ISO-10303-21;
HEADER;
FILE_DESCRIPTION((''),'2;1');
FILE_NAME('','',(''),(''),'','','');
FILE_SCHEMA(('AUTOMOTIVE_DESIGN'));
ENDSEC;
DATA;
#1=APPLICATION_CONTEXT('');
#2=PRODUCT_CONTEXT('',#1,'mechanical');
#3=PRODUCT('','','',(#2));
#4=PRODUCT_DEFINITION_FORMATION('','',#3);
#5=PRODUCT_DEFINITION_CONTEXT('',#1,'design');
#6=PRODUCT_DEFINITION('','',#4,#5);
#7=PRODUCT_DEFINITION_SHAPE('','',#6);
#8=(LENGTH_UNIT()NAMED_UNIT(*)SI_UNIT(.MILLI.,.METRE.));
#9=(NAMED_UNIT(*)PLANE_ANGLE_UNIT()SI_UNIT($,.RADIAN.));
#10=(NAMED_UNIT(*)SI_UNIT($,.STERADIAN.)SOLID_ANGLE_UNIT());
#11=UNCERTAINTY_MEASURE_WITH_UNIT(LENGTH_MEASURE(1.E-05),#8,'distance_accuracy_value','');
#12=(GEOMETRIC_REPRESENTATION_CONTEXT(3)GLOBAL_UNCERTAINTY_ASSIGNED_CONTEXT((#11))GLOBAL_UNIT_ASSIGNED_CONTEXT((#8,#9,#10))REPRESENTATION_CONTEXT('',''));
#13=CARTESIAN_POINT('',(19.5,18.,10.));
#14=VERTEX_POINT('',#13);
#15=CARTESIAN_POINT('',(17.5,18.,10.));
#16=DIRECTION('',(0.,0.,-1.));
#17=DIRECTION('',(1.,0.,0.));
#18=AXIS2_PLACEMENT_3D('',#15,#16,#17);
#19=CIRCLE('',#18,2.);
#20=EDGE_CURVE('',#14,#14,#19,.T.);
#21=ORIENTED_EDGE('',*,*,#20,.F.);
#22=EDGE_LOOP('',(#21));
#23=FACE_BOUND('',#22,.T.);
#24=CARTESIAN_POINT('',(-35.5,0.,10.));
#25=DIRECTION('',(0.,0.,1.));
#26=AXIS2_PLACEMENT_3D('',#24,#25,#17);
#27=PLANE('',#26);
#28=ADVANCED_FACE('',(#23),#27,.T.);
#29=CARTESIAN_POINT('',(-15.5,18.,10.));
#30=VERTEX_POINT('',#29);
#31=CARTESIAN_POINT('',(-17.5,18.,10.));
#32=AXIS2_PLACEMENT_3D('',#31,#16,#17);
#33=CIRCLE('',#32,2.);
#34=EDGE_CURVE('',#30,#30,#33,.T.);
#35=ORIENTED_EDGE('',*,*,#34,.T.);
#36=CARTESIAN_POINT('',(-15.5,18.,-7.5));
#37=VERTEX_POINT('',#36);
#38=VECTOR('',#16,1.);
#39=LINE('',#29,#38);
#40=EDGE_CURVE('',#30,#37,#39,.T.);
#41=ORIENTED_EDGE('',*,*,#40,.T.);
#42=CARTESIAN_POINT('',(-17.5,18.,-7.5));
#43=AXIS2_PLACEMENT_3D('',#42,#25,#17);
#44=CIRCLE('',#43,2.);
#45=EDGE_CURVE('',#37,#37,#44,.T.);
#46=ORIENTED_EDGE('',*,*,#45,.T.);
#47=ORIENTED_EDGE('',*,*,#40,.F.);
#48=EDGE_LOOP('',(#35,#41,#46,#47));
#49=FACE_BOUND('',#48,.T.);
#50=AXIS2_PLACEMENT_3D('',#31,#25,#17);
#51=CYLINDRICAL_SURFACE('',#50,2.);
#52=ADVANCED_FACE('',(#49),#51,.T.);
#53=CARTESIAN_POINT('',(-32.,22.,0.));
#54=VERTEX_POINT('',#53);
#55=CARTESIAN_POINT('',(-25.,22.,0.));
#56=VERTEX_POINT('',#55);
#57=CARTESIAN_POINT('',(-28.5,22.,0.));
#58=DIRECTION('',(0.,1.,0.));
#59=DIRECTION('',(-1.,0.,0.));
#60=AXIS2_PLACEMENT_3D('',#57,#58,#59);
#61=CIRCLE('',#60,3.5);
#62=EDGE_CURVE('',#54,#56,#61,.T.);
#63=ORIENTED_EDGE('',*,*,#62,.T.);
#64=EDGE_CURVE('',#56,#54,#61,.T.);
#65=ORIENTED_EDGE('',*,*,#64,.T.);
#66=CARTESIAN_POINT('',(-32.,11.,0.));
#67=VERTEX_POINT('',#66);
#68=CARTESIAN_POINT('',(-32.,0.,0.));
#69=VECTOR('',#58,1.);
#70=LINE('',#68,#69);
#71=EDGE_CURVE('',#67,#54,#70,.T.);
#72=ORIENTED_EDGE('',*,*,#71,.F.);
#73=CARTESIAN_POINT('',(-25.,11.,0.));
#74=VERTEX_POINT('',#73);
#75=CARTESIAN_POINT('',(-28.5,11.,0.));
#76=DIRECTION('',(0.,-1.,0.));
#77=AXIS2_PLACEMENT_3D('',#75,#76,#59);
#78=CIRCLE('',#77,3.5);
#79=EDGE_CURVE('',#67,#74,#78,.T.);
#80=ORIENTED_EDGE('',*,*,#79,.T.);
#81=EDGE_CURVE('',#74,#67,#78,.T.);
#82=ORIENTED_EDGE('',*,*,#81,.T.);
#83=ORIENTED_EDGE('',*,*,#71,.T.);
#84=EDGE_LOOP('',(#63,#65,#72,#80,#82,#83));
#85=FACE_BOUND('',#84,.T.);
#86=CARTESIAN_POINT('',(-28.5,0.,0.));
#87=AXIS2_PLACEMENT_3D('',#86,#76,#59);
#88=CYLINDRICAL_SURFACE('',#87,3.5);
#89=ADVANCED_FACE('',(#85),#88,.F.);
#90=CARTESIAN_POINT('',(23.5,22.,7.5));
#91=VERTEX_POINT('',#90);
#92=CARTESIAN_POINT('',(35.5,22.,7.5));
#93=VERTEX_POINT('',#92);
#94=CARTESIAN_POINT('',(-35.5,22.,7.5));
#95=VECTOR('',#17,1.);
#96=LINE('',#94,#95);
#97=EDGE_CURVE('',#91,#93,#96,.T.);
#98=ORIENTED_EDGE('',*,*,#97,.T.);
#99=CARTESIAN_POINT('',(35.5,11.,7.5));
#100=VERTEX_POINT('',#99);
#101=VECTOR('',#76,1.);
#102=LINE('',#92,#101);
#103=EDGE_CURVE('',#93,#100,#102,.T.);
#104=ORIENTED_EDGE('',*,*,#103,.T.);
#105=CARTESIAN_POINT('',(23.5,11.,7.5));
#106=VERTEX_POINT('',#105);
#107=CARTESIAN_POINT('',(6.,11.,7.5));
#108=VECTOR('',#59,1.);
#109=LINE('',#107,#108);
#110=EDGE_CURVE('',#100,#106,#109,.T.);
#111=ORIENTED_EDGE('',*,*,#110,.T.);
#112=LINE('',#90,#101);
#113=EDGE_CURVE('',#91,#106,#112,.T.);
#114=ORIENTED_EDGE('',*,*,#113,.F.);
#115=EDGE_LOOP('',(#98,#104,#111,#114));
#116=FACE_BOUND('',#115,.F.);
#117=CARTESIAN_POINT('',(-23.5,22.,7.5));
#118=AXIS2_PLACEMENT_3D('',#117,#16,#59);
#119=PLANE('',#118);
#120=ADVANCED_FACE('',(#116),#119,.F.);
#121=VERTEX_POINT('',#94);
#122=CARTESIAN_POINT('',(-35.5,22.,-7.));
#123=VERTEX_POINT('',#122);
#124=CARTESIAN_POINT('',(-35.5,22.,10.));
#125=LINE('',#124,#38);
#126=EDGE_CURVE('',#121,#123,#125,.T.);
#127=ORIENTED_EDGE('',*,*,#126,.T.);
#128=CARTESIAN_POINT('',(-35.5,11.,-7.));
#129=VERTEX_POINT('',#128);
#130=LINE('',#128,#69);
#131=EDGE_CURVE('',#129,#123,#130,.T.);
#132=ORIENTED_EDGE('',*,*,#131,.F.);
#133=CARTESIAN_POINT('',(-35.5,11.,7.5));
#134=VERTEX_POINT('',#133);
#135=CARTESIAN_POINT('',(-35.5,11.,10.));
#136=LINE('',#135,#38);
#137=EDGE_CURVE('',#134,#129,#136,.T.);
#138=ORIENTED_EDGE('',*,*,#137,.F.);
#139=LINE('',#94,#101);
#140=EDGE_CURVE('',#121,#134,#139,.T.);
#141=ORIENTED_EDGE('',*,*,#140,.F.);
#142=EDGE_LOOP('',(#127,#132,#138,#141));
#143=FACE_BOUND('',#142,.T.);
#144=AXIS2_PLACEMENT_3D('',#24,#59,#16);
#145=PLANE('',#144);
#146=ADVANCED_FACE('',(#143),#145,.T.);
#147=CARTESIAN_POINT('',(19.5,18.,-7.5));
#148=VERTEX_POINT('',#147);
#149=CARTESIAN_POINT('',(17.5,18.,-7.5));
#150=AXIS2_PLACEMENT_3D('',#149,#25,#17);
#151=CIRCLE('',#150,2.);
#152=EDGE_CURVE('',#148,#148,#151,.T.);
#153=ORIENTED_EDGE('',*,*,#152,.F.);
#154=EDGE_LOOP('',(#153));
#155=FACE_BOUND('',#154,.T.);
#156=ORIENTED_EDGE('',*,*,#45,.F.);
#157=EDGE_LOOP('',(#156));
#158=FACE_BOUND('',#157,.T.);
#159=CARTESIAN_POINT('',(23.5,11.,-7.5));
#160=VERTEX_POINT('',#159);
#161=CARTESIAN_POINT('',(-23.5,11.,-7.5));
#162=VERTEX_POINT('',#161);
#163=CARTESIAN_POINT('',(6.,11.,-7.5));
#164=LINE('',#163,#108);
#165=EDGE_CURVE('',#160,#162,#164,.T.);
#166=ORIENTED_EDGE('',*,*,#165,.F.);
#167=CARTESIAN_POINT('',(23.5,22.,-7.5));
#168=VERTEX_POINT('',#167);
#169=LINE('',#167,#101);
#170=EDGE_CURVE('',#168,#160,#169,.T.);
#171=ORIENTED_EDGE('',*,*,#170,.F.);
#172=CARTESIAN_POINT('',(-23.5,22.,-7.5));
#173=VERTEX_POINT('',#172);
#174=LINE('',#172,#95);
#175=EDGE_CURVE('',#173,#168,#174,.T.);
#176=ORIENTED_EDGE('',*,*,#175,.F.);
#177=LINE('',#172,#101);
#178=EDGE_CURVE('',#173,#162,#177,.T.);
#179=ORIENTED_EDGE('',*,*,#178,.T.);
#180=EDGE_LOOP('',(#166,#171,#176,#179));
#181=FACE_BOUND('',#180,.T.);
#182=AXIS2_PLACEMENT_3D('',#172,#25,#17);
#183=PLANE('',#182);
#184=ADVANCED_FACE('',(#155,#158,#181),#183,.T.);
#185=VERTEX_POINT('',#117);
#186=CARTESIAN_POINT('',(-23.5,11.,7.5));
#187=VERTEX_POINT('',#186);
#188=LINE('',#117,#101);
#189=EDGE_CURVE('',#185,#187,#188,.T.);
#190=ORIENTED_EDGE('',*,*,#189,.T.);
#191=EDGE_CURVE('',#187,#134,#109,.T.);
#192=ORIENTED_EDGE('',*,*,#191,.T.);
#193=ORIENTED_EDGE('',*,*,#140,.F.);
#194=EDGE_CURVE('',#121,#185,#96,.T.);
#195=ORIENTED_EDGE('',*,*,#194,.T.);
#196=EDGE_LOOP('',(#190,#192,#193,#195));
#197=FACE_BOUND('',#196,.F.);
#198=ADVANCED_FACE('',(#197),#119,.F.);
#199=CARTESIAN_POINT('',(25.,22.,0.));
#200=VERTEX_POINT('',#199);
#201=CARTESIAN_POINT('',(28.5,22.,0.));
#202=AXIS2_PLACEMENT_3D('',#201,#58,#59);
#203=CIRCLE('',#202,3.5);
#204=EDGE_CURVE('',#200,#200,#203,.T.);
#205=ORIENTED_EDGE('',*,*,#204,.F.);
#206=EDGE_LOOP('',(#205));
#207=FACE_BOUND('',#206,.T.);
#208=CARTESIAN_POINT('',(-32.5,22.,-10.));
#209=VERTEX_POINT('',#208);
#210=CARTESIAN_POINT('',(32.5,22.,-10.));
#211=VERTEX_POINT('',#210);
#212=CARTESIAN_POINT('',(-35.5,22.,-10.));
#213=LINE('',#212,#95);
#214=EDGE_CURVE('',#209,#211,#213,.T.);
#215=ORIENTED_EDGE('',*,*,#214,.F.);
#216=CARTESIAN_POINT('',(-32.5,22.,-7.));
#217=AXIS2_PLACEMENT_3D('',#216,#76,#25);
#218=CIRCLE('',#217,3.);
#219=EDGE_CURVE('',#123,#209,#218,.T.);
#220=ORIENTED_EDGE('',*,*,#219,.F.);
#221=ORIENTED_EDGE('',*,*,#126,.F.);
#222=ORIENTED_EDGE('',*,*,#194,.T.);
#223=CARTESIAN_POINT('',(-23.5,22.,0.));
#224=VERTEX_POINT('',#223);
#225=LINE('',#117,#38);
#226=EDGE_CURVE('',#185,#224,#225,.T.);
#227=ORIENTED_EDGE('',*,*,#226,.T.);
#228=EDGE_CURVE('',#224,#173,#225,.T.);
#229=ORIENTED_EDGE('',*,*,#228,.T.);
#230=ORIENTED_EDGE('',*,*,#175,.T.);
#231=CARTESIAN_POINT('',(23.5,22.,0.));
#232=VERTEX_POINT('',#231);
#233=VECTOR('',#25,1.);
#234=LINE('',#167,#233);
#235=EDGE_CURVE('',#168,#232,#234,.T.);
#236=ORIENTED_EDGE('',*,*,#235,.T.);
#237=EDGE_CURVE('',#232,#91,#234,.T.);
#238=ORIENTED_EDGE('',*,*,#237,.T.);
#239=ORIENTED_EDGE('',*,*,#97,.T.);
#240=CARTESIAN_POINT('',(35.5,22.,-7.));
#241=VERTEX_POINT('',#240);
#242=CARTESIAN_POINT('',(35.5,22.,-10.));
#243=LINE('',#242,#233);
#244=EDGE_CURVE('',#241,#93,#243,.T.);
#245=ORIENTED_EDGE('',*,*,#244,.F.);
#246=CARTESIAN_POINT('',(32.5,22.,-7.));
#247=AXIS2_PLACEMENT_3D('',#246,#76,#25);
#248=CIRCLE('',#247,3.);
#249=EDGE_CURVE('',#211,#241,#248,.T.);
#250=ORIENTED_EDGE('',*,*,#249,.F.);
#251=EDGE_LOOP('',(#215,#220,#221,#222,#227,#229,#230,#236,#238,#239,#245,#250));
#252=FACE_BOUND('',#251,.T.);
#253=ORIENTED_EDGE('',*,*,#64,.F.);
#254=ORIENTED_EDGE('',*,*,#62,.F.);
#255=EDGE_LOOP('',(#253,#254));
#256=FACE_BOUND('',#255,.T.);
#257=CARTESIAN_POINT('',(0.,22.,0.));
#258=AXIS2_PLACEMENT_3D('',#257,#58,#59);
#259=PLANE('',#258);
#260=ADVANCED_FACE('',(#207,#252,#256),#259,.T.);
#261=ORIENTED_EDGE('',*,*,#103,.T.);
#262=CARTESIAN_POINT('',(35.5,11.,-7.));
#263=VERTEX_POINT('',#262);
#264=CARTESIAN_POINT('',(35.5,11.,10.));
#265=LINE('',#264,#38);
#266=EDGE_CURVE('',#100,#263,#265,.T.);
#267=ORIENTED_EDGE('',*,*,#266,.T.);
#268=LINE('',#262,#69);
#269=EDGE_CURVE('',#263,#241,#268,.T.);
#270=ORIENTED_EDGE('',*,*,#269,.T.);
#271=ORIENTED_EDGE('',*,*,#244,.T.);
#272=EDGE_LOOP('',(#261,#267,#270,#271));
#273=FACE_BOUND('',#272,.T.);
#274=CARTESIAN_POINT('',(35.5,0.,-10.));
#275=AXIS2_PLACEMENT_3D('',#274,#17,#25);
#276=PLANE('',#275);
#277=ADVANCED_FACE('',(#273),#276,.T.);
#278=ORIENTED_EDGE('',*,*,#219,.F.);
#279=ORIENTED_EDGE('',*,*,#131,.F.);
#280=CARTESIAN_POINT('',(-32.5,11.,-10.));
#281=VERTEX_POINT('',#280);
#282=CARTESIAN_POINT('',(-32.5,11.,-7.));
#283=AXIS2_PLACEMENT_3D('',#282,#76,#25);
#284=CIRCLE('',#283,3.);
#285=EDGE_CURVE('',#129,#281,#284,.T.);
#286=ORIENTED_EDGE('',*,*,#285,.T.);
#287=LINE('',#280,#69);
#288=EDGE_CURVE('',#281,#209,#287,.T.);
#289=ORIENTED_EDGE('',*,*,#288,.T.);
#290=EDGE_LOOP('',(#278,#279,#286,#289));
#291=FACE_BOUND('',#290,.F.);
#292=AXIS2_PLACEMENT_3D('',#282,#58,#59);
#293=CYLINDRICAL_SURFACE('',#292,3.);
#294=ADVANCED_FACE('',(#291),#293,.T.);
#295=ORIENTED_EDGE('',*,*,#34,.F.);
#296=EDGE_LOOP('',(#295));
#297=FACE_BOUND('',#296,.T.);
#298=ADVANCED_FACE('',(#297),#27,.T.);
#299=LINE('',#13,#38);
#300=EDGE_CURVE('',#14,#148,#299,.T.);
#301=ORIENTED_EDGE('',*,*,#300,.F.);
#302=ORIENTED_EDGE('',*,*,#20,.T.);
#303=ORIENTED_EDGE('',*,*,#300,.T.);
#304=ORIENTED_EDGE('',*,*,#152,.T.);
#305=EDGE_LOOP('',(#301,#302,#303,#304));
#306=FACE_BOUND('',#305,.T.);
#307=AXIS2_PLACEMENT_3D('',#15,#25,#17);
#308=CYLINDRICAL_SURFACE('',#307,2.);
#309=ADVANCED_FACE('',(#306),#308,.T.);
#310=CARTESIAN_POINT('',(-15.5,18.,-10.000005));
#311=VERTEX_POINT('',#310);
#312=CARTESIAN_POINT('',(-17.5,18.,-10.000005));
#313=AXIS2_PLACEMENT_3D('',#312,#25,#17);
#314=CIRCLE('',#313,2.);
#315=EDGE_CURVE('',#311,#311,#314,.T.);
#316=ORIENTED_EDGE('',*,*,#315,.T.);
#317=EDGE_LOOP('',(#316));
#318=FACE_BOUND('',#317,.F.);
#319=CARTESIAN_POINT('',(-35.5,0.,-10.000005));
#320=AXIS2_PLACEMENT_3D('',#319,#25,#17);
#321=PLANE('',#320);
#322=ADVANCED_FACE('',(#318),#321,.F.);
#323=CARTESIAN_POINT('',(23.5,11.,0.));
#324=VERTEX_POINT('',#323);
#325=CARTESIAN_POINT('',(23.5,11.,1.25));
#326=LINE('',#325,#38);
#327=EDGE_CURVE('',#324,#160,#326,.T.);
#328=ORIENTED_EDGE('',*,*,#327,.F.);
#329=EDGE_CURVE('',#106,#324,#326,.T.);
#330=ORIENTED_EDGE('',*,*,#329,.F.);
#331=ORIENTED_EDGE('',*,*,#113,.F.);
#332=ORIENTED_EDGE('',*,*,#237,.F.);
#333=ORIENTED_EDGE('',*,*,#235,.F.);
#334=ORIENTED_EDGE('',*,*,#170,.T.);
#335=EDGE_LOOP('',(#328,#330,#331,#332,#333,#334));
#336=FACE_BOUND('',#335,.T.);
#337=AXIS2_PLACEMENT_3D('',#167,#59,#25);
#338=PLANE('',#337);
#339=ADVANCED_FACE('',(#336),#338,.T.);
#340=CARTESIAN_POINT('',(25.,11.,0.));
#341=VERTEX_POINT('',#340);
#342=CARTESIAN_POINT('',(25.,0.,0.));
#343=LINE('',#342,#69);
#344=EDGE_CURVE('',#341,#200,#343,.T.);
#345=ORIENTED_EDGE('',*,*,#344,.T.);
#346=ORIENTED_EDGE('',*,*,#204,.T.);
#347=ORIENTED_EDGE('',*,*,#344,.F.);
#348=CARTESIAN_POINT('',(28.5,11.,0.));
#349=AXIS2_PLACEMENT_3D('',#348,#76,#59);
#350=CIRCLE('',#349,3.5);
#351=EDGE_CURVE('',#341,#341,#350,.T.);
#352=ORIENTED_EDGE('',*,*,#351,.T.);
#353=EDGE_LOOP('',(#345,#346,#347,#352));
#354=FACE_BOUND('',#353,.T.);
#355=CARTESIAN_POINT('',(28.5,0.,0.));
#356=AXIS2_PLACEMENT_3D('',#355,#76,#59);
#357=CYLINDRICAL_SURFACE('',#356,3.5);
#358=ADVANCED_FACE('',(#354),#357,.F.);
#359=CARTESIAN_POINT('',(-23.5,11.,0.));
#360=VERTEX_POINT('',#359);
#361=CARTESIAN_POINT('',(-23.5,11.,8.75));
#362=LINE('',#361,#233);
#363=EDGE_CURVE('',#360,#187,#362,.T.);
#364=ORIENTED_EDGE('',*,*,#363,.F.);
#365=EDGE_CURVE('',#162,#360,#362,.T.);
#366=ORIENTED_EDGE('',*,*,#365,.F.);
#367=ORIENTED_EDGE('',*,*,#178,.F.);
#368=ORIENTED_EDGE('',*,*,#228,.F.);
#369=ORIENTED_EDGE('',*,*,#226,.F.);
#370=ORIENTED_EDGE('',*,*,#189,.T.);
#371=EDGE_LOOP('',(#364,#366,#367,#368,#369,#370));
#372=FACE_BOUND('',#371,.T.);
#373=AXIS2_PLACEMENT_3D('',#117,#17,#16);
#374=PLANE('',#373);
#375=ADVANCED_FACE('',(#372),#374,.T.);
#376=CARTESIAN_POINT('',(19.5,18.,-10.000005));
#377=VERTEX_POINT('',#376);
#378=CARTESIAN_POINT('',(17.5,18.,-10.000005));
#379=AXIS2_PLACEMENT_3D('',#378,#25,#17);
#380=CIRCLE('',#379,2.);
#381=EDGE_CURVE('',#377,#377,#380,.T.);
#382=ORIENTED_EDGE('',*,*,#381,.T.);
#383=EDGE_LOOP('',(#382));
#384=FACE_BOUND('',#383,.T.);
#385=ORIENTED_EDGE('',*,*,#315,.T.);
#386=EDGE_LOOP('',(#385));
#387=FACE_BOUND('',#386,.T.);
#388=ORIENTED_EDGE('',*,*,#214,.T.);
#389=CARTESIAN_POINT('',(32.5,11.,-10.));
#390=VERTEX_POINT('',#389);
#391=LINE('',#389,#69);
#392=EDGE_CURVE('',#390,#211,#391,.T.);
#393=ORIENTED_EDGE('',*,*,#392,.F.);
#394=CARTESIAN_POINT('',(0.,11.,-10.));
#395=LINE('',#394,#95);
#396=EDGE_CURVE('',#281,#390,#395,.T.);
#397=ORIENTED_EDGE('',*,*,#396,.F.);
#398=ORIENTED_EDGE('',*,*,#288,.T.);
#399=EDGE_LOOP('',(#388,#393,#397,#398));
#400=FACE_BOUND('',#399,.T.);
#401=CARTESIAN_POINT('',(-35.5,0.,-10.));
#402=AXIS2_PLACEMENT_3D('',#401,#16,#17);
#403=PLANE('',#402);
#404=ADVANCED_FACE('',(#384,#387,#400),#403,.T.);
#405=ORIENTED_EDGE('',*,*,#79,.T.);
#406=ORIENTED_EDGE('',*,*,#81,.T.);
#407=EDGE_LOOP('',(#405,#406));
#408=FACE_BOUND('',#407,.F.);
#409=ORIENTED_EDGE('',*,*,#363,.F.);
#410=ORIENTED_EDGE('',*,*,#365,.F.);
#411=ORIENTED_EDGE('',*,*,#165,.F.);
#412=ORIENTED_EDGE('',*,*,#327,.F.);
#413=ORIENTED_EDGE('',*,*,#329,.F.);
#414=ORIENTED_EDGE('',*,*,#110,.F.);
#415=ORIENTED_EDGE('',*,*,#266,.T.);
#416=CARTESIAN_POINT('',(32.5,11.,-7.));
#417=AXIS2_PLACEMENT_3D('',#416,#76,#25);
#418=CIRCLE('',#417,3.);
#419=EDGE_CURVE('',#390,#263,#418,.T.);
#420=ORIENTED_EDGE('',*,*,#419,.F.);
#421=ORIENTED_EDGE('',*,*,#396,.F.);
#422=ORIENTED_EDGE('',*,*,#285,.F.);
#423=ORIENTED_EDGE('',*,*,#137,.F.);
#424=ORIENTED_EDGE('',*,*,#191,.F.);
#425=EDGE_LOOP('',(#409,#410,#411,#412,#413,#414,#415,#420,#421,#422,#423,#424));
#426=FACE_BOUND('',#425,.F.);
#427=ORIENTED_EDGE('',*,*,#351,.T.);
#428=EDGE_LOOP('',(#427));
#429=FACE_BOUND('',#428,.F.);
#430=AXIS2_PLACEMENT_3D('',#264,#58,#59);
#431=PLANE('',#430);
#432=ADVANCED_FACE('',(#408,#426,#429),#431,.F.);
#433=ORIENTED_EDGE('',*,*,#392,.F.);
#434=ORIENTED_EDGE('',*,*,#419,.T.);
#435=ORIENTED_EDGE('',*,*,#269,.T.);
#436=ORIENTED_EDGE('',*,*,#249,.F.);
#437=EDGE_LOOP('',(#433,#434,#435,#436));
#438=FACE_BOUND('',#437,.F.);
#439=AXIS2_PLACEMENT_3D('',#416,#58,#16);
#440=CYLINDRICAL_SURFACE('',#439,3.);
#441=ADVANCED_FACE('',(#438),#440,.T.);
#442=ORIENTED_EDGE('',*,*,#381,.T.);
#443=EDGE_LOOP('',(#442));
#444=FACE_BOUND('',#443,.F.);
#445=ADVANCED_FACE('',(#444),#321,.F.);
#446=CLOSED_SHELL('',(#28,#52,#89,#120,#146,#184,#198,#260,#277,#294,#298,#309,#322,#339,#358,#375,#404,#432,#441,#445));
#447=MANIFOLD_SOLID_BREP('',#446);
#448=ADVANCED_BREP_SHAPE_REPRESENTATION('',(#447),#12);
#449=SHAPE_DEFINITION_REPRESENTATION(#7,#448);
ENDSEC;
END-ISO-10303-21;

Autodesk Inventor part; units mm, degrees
ref_plane "YZ Plane" through (0, 0, 0) normal (1, 0, 0) x (0, 1, 0)
ref_plane "XZ Plane" through (0, 0, 0) normal (0, 1, 0) x (-1, 0, 0)
ref_plane "XY Plane" through (0, 0, 0) normal (0, 0, 1) x (1, 0, 0)
sketch "Esquisse1" plane through (0, 0, 0) normal (0, 1, 0) x (-1, 0, 0)
  circle A0 centre (-28.5, 0) radius 3.5
  circle A1 centre (28.5, 0) radius 3.5
  line L0 (-35.5, 10) -> (35.5, 10)
  line L1 (35.5, 10) -> (35.5, -10)
  line L2 (35.5, -10) -> (-35.5, -10)
  line L3 (-35.5, -10) -> (-35.5, 10)
  line L4 (-28.5, 0) -> (28.5, 0)
  point P0 (0, 0)
  dimension "d0" = 7
  dimension "d1" = 7
  dimension "d2" = 28.5
  dimension "d3" = 28.5
  dimension "d4" = 20
  dimension "d5" = 10
  dimension "d6" = 7
  dimension "d7" = 7
extrude "Extrusion1" add sketch "Esquisse1" along normal blind 22
sketch "Esquisse2" plane through (0, 22, 0) normal (0, 1, 0) x (1, 0, 0)
  circle A0 centre (-28.5, 0) radius 3.5 projected
  circle A1 centre (28.5, 0) radius 3.5 projected
  line L0 (-23.5, 7.5) -> (23.5, 7.5)
  line L1 (23.5, 7.5) -> (23.5, -7.5)
  line L2 (23.5, -7.5) -> (-23.5, -7.5)
  line L3 (-23.5, -7.5) -> (-23.5, 7.5)
  point P0 (0, 0)
  dimension "d10" = 15
  dimension "d11" = 7.5
  dimension "d12" = 5
  dimension "d13" = 5
extrude "Extrusion2" cut sketch "Esquisse2" against normal through all contours L0 L1 L2 L3
sketch "Esquisse3" plane through (-35.5, 0, 10) normal (0, 0, 1) x (1, 0, 0)
  line L0 (71, 0) -> (0, 0) projected
  line L1 (71, 0) -> (71, 22) projected
  line L2 (0, 22) -> (71, 22) projected
  line L3 (0, 0) -> (0, 22) projected
  line L4 (14, 22) -> (57, 22)
  line L5 (57, 22) -> (57, 0)
  line L6 (57, 0) -> (14, 0)
  line L7 (14, 0) -> (14, 22)
  line L8 (14, 22) -> (22, 22)
  line L9 (22, 22) -> (22, 14)
  line L10 (22, 14) -> (14, 14)
  line L11 (14, 14) -> (14, 22)
  line L12 (57, 22) -> (49, 22)
  line L13 (49, 22) -> (49, 14)
  line L14 (49, 14) -> (57, 14)
  line L15 (57, 14) -> (57, 22)
  line L16 (14, 22) -> (22, 14)
  line L17 (22, 22) -> (14, 14)
  line L18 (49, 14) -> (57, 22)
  line L19 (49, 22) -> (57, 14)
  circle A0 centre (18, 18) radius 2
  circle A1 centre (53, 18) radius 2
  point P0 (35.5, 0)
  dimension "d16" = 14
  dimension "d17" = 14
  dimension "d18" = 8
  dimension "d19" = 8
  dimension "d20" = 8
  dimension "d21" = 8
  dimension "d22" = 4
  dimension "d23" = 4
sketch "Esquisse4" plane through (35.5, 0, 10) normal (1, 0, 0) x (0, 0, -1)
  line L0 (20, 0) -> (0, 0) projected
  line L1 (0, 22) -> (20, 22) projected
  line L2 (7, 22) -> (13, 22)
  line L3 (13, 22) -> (13, 0)
  line L4 (13, 0) -> (7, 0)
  line L5 (7, 0) -> (7, 22)
  circle A0 centre (3.5, 7.5) radius 1.5
  circle A1 centre (16.5, 7.5) radius 1.5
  line L6 (20, 0) -> (20, 22) projected
  line L7 (0, 0) -> (7, 0)
  line L8 (7, 0) -> (7, 15)
  line L9 (7, 15) -> (0, 15)
  line L10 (0, 15) -> (0, 0)
  line L11 (13, 0) -> (20, 0)
  line L12 (20, 0) -> (20, 15)
  line L13 (20, 15) -> (13, 15)
  line L14 (13, 15) -> (13, 0)
  line L15 (0, 15) -> (7, 0)
  line L16 (7, 15) -> (0, 0)
  line L17 (13, 15) -> (20, 0)
  line L18 (20, 15) -> (13, 0)
  point P0 (10, 0)
  dimension "d26" = 6
  dimension "d27" = 3
  dimension "d28" = 3
  dimension "d29" = 3
  dimension "d32" = 15
extrude "Extrusion4" cut sketch "Esquisse4" against normal through all contours L17 L18 A1 | A1 L18 L17 | A1 L17 L18 | L18 L17 A1 | L15 L16 A0 | A0 L16 L15 | A0 L15 L16 | L16 L15 A0
sketch "Esquisse5" plane through (-35.5, 0, 10) normal (0, 0, 1) x (1, 0, 0)
  line L0 (71, 0) -> (0, 0) projected
  line L1 (71, 0) -> (71, 22) projected
  line L2 (0, 0) -> (71, 0)
  line L3 (71, 0) -> (71, 11)
  line L4 (71, 11) -> (0, 11)
  line L5 (0, 11) -> (0, 0)
  point P0 (35.5, 0)
  dimension "d33" = 11
extrude "Extrusion5" cut sketch "Esquisse5" against normal through all
sketch "Esquisse6" plane through (0, 22, 0) normal (0, 1, 0) x (1, 0, 0)
  line L0 (23.5, 7.5) -> (23.5, -7.5) projected
  line L1 (-35.5, -10) -> (35.5, -10) projected
  line L2 (-23.5, -7.5) -> (23.5, -7.5)
  line L3 (23.5, -7.5) -> (23.5, -10)
  line L4 (23.5, -10) -> (-23.5, -10)
  line L5 (-23.5, -10) -> (-23.5, -7.5)
  line L6 (-35.5, -10) -> (-23.5, -10)
  line L7 (-23.5, -10) -> (-23.5, -7.5)
  line L8 (-23.5, -7.5) -> (-35.5, -7.5)
  line L9 (-35.5, -7.5) -> (-35.5, -10)
  line L10 (35.5, -10) -> (23.5, -10)
  line L11 (23.5, -10) -> (23.5, -7.5)
  line L12 (23.5, -7.5) -> (35.5, -7.5)
  line L13 (35.5, -7.5) -> (35.5, -10)
  point P0 (0, 0)
extrude "Extrusion6" cut sketch "Esquisse6" against normal through all
extrude "Extrusion8" add sketch "Esquisse3" against normal through all contours A1 L18 L19 | L19 L18 A1 | L18 L19 A1 | A0 L16 L17 | L17 L16 A0 | A1 L19 L18 | A0 L17 L16 | L16 L17 A0
fillet "Congé1" radius 3 2 edges at (35.5, 16.5, -10) (-35.5, 16.5, -10)
equation "\"d3\" = d2"
equation "\"d5\" = 0.5 * d4"
equation "\"d11\" = 0.5 * d10"
equation "\"d17\" = d16"
equation "\"d27\" = 0.5 * d26"
properties part number "tendeur_base_up"
